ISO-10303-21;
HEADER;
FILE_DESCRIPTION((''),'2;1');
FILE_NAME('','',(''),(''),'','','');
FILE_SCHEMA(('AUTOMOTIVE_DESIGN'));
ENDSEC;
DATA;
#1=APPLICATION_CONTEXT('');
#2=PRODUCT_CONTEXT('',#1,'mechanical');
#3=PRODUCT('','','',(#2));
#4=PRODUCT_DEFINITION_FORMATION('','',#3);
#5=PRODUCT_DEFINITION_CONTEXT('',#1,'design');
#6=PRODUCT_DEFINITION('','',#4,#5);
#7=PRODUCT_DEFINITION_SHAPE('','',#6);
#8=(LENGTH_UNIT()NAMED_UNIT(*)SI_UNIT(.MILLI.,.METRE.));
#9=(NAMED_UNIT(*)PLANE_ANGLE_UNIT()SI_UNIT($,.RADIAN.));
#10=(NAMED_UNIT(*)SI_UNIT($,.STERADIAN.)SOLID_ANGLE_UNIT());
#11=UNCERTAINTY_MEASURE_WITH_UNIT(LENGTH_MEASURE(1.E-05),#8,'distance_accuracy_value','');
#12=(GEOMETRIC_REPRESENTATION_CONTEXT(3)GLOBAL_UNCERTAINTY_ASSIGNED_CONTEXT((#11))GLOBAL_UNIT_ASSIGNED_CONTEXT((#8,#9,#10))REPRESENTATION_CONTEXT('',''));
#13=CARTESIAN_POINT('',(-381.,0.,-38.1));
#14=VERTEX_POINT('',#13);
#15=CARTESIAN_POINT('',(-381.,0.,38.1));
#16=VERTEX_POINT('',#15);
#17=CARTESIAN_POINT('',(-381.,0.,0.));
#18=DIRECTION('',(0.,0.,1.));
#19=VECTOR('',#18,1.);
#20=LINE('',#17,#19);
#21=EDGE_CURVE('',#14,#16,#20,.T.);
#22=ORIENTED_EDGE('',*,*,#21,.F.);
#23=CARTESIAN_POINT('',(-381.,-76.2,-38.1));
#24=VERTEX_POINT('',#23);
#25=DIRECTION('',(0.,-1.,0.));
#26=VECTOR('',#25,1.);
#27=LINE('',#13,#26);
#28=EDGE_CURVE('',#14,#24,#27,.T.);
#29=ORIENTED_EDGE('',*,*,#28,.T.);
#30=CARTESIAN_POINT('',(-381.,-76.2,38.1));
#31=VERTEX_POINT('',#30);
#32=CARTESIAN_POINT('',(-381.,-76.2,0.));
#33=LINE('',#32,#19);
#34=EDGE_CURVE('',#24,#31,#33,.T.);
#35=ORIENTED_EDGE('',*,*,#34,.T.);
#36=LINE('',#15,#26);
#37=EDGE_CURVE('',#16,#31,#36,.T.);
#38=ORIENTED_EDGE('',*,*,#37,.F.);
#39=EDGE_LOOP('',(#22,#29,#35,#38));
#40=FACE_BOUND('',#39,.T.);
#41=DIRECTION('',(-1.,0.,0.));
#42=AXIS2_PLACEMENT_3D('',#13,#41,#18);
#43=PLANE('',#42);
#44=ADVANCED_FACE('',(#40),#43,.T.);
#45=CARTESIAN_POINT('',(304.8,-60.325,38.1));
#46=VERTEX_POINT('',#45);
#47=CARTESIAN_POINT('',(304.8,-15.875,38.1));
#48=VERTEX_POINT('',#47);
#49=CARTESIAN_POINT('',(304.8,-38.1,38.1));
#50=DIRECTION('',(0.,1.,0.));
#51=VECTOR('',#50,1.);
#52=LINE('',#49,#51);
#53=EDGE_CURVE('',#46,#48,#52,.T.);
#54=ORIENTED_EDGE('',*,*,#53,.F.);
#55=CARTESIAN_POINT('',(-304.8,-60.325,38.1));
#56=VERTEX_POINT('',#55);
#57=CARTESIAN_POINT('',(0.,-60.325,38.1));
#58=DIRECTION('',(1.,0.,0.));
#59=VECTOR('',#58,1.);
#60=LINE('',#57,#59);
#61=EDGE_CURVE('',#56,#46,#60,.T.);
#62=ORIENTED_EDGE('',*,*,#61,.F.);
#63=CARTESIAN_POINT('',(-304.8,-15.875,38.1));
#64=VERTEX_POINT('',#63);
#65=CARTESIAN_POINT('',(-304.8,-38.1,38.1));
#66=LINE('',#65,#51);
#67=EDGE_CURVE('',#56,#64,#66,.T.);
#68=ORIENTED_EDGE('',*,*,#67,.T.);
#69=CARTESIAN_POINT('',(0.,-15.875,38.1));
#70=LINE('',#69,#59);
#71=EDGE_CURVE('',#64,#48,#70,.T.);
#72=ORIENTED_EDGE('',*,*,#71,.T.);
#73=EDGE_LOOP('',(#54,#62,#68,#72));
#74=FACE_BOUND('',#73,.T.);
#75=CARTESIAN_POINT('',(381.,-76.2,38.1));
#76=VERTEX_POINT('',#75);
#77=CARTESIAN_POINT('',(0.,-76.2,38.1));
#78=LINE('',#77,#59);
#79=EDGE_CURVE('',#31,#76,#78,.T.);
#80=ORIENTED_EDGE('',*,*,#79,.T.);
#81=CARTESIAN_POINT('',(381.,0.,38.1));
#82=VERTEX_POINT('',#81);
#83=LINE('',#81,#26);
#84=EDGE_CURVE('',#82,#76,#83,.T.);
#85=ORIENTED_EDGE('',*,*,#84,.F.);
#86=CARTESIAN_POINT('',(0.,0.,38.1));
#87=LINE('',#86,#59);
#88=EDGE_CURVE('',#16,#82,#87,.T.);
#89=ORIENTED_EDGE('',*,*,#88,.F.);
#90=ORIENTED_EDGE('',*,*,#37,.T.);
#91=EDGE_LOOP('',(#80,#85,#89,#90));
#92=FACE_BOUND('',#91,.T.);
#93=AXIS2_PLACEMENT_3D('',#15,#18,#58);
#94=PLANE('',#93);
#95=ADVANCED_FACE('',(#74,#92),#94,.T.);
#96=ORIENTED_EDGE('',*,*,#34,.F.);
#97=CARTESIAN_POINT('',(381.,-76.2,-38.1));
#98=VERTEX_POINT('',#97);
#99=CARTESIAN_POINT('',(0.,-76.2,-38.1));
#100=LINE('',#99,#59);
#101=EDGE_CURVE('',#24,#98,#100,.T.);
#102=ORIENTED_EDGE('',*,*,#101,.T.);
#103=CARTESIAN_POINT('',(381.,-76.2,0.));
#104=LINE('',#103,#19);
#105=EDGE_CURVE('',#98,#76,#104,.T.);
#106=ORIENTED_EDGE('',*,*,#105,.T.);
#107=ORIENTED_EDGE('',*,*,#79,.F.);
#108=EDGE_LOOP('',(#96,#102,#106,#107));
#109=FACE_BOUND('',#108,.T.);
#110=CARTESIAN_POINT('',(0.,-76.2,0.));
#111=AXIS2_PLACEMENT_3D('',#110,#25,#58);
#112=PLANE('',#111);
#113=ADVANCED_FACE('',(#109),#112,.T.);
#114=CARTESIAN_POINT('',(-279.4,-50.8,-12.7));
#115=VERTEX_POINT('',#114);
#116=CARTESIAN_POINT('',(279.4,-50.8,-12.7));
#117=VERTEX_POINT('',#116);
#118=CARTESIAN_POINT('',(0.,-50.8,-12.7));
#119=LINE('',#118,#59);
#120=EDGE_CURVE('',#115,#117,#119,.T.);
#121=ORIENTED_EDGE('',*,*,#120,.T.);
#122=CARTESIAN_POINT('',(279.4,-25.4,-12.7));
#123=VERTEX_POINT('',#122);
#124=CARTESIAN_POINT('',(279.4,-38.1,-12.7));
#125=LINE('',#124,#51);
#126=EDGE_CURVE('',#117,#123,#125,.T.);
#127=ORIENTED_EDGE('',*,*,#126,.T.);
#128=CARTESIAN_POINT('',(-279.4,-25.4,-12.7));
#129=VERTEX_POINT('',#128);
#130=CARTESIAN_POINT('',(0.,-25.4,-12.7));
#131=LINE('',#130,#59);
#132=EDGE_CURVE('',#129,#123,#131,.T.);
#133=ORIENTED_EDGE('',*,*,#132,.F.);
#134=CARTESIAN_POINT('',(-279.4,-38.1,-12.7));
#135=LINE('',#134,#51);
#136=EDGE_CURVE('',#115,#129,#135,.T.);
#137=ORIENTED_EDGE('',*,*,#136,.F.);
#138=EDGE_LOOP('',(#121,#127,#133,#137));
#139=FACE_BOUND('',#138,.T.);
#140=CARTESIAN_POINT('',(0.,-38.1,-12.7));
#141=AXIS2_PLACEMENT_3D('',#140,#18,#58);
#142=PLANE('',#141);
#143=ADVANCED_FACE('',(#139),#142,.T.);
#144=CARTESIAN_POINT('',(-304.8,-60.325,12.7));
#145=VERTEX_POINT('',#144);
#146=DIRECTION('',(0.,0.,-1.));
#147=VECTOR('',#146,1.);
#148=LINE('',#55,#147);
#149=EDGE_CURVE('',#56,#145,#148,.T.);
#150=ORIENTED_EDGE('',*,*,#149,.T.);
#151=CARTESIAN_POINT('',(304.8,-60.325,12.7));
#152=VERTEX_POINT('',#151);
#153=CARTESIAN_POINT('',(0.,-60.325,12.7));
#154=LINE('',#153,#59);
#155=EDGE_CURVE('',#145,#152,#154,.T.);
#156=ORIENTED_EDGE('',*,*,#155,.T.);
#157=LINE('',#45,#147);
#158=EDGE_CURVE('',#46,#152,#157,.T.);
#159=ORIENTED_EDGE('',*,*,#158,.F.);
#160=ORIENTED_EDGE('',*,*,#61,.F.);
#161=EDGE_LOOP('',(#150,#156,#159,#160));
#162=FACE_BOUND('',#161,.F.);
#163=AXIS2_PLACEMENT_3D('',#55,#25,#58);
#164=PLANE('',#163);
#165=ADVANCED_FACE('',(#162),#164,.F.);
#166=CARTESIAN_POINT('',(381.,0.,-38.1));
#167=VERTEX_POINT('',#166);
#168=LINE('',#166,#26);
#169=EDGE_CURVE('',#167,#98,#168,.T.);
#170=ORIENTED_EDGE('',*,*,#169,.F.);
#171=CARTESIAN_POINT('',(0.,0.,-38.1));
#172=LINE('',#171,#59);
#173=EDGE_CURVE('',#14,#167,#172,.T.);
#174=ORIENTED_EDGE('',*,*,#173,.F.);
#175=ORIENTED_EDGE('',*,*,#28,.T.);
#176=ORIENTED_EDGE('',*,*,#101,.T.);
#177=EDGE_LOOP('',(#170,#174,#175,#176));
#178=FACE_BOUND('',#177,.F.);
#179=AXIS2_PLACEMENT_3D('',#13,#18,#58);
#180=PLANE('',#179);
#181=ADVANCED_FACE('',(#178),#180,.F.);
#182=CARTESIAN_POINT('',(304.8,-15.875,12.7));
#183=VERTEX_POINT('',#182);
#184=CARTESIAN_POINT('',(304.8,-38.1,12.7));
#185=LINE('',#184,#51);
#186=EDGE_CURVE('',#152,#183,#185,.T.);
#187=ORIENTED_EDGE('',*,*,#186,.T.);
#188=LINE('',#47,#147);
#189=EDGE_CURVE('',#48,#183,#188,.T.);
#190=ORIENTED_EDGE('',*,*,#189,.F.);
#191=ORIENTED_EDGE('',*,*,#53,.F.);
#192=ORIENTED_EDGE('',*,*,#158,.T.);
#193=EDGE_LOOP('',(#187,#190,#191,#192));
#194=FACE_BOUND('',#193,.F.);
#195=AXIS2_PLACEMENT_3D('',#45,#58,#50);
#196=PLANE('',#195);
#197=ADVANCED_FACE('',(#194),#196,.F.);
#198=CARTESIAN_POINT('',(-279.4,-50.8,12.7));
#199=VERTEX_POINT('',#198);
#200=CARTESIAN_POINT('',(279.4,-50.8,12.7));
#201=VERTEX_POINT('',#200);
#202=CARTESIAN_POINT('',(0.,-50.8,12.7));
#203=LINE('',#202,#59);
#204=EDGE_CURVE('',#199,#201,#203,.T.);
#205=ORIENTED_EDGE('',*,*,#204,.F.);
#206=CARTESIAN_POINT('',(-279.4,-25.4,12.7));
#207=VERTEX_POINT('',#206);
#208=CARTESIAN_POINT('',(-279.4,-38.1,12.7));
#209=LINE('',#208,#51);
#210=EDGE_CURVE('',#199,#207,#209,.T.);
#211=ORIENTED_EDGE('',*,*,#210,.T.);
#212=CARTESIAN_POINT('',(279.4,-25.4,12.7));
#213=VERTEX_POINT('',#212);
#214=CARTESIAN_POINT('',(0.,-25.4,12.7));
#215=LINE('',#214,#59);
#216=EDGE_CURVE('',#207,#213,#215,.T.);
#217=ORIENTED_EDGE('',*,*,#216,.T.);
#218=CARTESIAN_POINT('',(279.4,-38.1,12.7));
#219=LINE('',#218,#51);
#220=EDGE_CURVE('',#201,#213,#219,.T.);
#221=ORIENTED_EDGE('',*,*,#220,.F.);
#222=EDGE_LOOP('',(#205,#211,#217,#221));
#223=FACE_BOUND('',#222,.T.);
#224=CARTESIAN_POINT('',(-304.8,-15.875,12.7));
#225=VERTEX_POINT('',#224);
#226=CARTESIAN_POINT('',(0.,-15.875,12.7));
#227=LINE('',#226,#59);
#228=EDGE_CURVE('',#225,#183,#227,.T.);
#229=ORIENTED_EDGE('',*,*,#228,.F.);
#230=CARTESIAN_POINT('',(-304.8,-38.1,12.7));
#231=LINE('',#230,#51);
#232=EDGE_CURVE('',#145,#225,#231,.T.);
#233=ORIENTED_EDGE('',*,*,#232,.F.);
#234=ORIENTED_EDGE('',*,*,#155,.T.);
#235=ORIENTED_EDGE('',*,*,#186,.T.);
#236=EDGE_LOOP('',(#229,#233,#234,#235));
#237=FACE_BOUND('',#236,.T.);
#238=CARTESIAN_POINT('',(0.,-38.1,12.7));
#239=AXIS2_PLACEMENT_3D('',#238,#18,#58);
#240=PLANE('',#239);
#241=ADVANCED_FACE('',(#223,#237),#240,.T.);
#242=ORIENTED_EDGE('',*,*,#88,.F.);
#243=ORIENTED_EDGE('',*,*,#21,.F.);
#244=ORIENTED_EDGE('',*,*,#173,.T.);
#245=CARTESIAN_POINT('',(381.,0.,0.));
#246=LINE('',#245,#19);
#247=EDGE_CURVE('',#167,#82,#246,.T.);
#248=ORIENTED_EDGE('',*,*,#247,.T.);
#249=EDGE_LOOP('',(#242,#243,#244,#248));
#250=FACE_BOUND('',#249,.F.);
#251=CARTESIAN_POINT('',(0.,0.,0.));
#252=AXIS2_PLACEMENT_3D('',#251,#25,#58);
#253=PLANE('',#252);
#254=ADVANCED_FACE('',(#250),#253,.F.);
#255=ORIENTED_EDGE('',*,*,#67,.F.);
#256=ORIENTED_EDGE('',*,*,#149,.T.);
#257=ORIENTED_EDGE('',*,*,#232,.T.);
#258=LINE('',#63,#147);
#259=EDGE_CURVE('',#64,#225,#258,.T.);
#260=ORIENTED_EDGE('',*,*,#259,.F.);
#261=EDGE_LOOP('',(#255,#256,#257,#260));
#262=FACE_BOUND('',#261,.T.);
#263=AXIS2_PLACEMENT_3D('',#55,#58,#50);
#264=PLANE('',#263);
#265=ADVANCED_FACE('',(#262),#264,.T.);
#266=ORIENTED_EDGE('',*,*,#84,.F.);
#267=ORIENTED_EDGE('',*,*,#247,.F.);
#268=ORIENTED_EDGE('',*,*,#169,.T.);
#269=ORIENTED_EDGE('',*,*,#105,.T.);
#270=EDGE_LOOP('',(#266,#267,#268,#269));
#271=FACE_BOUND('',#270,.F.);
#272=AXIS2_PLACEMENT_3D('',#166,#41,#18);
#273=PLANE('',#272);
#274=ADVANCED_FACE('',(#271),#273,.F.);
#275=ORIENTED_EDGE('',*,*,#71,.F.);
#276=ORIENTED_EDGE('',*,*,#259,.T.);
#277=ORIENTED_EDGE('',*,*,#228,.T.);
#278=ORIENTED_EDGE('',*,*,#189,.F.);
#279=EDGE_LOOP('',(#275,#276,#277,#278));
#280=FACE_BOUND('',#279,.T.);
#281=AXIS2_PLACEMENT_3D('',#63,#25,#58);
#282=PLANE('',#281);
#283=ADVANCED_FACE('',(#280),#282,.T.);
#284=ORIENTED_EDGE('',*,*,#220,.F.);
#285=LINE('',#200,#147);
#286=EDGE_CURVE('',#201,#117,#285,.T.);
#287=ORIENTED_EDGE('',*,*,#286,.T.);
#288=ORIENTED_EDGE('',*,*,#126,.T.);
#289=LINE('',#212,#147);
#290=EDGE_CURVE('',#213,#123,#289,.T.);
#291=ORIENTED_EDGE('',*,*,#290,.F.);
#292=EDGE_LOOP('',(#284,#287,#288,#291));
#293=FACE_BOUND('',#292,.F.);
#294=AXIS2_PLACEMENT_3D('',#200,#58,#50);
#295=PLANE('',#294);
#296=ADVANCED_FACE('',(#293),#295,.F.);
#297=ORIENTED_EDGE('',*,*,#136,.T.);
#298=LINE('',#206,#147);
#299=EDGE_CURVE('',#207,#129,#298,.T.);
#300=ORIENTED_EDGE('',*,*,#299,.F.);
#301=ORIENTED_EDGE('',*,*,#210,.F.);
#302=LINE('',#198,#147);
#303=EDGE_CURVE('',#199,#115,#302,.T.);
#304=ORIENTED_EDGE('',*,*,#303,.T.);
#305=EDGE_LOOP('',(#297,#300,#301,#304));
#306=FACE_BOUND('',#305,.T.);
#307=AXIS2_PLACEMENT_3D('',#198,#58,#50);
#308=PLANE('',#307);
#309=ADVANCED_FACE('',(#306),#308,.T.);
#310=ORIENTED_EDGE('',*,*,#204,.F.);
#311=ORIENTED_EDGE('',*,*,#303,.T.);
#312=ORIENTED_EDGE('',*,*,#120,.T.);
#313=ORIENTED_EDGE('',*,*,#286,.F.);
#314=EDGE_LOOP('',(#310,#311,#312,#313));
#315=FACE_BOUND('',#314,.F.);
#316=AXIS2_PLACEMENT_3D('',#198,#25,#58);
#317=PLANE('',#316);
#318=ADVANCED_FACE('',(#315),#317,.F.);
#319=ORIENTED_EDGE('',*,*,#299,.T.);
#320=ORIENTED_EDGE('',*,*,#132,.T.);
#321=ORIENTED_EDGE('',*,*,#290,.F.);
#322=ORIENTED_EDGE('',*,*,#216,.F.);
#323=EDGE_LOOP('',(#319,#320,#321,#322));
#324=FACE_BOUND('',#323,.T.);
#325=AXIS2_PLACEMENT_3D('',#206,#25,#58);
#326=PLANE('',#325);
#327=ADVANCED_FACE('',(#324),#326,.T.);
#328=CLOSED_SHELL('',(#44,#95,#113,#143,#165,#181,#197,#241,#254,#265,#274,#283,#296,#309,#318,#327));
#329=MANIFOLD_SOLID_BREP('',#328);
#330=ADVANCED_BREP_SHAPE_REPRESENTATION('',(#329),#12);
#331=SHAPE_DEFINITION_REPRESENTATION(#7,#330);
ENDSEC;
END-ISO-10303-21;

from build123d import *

# Parameters (mm, degrees)
F0_W     = 762
F0_H     = 76.2
F1_DEPTH = 76.2
F2_W     = 609.6
F2_H     = 44.45
F3_DEPTH = 25.4
F4_W     = 558.8
F4_H     = 25.4
F5_DEPTH = 25.4


with BuildPart() as f1:
    # F0 (on Front) → F1 (new body)
    with BuildSketch(Plane.XZ):
        Rectangle(F0_W, F0_H)
    extrude(amount=F1_DEPTH)

    # F2 (on face) → F3 (cut)
    with BuildSketch(Plane.XY.offset(38.1)):
        with Locations((0, -38.1)):
            Rectangle(F2_W, F2_H)
    extrude(amount=-F3_DEPTH, mode=Mode.SUBTRACT)

    # F4 (on face) → F5 (cut)
    with BuildSketch(Plane.XY.offset(12.7)):
        with Locations((0, -38.1)):
            Rectangle(F4_W, F4_H)
    extrude(amount=-F5_DEPTH, mode=Mode.SUBTRACT)


solid = f1.part
